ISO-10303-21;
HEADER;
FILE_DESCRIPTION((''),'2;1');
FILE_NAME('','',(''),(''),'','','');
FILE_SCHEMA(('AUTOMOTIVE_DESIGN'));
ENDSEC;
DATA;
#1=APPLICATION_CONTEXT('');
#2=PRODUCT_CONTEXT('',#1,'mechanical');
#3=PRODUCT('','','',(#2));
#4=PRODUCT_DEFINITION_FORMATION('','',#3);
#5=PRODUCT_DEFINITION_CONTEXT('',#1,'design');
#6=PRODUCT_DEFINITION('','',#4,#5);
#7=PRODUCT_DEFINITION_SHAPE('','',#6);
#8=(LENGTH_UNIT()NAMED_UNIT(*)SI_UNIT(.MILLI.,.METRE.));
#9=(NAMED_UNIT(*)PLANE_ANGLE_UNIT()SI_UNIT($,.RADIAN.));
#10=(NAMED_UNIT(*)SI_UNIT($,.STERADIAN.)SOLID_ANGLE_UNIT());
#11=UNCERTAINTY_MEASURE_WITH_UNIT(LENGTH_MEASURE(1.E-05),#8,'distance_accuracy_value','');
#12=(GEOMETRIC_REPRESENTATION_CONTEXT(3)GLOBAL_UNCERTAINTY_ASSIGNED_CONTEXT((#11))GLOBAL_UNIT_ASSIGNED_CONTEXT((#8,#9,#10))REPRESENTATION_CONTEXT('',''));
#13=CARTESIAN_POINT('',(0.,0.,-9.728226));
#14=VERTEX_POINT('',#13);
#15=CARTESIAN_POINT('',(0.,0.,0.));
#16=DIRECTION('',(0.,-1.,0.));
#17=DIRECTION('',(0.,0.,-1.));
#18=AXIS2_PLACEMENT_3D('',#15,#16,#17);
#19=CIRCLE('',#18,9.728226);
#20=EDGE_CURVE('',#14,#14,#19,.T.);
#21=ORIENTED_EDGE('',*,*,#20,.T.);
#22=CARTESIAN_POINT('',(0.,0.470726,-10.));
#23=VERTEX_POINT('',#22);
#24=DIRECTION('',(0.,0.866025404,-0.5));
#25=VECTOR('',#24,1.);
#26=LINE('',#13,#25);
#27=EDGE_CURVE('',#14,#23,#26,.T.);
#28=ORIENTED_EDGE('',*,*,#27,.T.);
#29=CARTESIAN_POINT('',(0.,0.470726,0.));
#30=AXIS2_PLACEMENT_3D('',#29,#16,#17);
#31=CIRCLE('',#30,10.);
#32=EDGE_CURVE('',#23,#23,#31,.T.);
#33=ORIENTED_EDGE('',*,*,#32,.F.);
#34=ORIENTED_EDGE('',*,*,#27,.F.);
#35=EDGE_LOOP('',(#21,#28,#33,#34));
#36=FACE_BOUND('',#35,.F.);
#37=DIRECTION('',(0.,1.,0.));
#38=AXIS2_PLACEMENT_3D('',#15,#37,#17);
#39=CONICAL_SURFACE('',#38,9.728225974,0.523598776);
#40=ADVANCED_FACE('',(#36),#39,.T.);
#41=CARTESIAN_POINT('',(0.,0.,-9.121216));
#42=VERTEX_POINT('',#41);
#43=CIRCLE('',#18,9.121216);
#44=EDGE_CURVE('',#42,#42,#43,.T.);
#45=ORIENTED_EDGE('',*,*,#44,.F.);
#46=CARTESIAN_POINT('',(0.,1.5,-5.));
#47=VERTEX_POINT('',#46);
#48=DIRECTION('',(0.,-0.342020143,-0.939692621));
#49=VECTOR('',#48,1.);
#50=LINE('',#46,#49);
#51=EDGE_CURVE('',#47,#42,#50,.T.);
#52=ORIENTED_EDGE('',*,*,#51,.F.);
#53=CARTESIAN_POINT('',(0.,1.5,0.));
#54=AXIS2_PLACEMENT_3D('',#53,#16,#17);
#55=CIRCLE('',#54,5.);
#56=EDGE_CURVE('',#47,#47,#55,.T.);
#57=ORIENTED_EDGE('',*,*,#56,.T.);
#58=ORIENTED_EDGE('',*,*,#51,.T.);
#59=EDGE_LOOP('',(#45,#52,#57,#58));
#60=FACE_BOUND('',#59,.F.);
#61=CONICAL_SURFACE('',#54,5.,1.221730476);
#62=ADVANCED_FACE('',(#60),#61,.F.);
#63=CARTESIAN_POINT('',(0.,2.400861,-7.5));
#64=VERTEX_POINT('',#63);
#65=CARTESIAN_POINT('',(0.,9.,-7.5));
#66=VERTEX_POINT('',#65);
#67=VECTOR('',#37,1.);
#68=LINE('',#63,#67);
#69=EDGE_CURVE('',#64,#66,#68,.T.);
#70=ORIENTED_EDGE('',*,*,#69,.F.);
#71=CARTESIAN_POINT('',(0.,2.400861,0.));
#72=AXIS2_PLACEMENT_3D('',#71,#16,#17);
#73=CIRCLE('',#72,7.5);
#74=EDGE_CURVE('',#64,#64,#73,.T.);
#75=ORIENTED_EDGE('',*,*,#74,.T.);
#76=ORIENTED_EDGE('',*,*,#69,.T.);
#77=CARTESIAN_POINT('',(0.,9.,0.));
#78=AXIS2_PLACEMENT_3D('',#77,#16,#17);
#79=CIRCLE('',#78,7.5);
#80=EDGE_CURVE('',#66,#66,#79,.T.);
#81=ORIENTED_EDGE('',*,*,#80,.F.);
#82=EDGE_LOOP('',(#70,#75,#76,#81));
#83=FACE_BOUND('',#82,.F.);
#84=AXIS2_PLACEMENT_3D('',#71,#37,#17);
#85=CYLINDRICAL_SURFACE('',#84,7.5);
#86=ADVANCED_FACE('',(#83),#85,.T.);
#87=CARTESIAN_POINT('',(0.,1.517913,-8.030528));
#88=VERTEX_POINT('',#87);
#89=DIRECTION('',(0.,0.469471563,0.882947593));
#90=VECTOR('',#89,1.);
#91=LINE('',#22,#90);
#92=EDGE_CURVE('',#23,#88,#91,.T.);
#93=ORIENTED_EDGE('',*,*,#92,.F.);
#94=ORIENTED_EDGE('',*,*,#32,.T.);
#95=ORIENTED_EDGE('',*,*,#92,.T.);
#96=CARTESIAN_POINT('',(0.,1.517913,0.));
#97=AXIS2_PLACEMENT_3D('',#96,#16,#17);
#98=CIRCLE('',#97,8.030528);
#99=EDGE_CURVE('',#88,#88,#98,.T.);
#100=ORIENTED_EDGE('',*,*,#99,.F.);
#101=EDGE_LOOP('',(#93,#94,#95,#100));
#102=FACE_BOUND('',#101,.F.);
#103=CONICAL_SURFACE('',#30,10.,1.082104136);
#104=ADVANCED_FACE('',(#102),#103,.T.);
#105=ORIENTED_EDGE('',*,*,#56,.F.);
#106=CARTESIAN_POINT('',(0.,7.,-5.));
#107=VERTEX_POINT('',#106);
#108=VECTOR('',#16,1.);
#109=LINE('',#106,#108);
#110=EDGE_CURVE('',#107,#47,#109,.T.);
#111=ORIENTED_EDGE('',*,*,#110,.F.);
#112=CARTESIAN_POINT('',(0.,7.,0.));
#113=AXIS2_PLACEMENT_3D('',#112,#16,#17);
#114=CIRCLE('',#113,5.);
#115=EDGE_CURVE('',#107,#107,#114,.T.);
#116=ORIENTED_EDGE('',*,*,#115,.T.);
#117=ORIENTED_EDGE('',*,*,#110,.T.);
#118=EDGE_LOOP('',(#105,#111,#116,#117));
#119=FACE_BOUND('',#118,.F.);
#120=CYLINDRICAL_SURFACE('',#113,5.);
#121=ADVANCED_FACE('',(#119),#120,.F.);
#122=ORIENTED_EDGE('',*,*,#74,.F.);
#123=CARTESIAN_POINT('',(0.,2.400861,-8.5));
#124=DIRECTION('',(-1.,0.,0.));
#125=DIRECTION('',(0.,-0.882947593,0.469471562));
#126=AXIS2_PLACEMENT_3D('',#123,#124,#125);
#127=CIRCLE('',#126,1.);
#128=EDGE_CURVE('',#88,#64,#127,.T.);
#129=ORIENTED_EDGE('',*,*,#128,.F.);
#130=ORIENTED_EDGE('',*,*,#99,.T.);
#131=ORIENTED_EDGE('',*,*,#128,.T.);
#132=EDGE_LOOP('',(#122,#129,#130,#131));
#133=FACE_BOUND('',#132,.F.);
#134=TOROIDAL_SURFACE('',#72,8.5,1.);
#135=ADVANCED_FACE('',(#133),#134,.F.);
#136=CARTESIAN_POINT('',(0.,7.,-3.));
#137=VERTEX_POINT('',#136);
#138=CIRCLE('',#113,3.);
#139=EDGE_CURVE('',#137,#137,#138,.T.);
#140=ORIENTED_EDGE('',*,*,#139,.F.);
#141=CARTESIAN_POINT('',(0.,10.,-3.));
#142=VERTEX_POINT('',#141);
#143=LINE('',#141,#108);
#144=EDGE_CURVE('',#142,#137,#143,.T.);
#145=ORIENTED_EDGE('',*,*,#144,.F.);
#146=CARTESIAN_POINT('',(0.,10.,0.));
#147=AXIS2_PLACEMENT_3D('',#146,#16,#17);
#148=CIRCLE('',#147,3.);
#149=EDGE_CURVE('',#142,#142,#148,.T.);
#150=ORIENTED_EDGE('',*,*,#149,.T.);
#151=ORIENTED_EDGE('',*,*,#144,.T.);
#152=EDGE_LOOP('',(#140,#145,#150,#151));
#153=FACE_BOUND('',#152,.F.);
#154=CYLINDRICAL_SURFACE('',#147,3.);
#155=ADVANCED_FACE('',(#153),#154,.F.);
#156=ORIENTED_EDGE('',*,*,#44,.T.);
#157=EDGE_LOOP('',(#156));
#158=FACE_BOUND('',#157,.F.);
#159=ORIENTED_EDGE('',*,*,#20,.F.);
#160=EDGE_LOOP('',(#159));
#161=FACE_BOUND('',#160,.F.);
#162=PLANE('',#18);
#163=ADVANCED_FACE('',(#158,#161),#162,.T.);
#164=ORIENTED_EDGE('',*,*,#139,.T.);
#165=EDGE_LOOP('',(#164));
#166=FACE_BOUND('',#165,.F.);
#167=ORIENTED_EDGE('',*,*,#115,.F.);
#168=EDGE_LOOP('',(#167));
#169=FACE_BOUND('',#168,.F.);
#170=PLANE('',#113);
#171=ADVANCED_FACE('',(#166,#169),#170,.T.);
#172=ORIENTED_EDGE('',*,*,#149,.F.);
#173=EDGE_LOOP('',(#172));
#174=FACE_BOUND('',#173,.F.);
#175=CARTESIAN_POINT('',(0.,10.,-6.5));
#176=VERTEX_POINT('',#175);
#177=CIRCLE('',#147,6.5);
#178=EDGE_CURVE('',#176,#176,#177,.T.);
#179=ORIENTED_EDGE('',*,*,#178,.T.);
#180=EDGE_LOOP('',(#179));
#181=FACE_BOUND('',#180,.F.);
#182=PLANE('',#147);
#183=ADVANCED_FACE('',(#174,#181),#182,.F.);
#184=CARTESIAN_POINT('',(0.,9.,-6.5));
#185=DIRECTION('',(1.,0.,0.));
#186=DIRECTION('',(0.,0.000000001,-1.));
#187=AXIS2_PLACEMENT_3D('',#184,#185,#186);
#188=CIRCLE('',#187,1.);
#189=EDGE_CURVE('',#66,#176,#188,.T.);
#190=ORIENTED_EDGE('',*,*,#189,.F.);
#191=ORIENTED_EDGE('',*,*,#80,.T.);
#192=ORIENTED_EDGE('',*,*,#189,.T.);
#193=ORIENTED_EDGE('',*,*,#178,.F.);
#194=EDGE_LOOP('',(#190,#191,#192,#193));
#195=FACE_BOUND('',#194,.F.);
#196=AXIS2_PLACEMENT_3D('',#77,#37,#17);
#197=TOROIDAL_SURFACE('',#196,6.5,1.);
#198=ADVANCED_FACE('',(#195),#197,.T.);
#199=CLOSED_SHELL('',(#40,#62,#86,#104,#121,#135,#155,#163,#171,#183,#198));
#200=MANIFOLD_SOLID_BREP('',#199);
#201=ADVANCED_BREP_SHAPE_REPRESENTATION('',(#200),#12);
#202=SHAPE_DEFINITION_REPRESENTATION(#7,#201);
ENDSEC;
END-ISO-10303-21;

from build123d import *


with BuildPart() as part:
    # 草图1 → 旋转1 (revolve)
    with BuildSketch(Plane.XY, mode=Mode.PRIVATE) as revolve_1_sk:
        with BuildLine():
            Line((3, 7), (5, 7))
            Line((5, 7), (5, 1.5))
            Line((5, 1.5), (9.121216129, 0))
            Line((9.121216129, 0), (9.728225974, 0))
            Line((9.728225974, 0), (10, 0.470726421))
            Line((10, 0.470726421), (8.030528437, 1.517913026))
            ThreePointArc((8.030528437, 1.517913026), (7.642832699, 1.885822544), (7.5, 2.400860619))
            Line((7.5, 2.400860619), (7.5, 9))
            ThreePointArc((7.5, 9), (7.207106781, 9.707106781), (6.5, 10))
            Line((6.5, 10), (3, 10))
            Line((3, 10), (3, 7))
        make_face()
    revolve(revolve_1_sk.sketch.rotate(Axis((0, 10.001250003, 0), (0, -1, 0)), 270), axis=Axis((0, 10.001250003, 0), (0, -1, 0)))


solid = part.part
